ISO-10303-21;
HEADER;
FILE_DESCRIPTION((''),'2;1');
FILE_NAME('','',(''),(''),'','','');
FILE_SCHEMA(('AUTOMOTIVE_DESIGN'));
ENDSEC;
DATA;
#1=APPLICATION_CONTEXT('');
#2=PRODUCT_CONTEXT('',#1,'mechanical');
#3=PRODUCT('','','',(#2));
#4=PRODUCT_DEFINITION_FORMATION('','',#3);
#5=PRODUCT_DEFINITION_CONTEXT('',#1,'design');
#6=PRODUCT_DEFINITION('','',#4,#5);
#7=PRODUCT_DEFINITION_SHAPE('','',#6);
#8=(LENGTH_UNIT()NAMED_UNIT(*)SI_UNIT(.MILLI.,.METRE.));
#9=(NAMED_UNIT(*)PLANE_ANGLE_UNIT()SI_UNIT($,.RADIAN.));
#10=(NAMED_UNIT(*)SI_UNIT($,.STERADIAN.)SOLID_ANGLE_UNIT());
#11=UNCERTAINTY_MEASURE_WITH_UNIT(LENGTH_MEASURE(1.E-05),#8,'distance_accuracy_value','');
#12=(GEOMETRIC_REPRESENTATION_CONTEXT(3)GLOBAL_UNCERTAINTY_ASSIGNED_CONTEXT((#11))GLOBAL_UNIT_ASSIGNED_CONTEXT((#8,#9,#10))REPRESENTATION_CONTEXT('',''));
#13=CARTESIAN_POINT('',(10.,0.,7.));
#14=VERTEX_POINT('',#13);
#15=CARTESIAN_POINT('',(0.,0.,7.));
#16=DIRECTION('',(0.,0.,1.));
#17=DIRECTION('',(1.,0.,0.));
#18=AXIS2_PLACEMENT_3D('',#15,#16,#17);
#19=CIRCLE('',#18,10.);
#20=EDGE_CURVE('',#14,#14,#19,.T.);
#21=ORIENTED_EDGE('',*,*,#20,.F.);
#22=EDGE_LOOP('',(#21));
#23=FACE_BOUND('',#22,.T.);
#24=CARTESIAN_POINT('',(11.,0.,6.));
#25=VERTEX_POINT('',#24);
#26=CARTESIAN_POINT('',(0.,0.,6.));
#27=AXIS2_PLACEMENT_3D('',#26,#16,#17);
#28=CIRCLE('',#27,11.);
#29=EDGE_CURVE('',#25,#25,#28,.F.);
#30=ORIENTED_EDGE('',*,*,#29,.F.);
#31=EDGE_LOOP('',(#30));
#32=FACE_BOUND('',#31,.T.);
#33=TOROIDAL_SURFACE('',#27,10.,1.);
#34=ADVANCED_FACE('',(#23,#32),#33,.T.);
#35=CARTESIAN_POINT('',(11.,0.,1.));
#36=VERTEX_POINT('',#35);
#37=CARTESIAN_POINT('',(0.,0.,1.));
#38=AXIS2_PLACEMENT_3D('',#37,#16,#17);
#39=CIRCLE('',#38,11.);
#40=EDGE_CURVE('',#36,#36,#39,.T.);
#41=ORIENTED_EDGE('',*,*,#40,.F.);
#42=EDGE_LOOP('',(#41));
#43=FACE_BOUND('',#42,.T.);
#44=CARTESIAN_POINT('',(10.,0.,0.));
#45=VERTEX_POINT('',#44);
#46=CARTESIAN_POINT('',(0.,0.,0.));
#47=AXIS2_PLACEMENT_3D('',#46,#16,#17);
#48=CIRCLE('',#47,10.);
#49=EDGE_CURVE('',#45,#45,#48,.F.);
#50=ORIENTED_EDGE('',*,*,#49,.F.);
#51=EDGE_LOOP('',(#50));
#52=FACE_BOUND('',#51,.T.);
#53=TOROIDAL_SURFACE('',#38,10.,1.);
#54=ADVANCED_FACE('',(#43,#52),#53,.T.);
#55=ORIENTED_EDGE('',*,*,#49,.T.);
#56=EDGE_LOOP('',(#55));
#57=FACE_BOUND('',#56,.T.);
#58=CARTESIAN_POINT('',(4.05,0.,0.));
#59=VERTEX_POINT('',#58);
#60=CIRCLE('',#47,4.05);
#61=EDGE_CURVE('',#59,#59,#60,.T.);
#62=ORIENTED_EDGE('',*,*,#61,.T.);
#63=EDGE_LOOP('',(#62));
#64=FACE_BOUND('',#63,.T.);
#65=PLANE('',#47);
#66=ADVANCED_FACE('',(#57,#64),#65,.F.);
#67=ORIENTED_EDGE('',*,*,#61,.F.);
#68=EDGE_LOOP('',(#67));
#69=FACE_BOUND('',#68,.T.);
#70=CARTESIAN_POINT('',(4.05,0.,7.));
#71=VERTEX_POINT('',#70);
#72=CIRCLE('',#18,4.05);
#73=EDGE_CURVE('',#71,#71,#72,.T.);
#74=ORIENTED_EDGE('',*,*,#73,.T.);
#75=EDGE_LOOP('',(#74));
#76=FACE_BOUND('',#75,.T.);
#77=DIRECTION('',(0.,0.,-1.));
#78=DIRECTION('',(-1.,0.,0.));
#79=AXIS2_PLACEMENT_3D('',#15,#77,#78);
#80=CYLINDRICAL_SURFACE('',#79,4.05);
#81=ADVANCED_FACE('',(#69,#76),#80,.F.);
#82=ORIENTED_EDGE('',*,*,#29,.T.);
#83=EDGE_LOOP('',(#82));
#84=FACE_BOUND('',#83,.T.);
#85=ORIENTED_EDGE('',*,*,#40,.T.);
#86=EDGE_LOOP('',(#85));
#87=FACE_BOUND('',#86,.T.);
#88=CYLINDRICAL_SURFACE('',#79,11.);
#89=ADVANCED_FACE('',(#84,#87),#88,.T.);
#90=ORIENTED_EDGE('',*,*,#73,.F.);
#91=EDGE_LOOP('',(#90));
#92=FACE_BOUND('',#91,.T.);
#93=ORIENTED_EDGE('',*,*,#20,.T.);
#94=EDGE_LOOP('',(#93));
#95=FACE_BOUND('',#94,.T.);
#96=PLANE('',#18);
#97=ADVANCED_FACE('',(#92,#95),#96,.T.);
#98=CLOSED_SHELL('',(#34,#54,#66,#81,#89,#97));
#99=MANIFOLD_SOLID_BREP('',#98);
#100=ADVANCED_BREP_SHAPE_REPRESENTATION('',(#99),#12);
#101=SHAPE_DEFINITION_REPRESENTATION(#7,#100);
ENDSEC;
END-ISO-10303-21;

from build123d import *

# Parameters (mm, degrees)
CROQUIS1_R              = 11
CROQUIS1_R_2            = 4.05
SALIENTE_EXTRUIR1_DEPTH = 7
REDONDEO1_R             = 1


with BuildPart() as part:
    # Croquis1 → Saliente-Extruir1 (new body)
    with BuildSketch(Plane.XY):
        Circle(CROQUIS1_R)
        Circle(CROQUIS1_R_2, mode=Mode.SUBTRACT)
    extrude(amount=SALIENTE_EXTRUIR1_DEPTH)

    # Redondeo1
    redondeo1_edges = [part.edges().sort_by_distance(p)[0] for p in [
        (-11, 0, 0),
        (-11, 0, 7),
    ]]
    fillet(redondeo1_edges, radius=REDONDEO1_R)


solid = part.part
